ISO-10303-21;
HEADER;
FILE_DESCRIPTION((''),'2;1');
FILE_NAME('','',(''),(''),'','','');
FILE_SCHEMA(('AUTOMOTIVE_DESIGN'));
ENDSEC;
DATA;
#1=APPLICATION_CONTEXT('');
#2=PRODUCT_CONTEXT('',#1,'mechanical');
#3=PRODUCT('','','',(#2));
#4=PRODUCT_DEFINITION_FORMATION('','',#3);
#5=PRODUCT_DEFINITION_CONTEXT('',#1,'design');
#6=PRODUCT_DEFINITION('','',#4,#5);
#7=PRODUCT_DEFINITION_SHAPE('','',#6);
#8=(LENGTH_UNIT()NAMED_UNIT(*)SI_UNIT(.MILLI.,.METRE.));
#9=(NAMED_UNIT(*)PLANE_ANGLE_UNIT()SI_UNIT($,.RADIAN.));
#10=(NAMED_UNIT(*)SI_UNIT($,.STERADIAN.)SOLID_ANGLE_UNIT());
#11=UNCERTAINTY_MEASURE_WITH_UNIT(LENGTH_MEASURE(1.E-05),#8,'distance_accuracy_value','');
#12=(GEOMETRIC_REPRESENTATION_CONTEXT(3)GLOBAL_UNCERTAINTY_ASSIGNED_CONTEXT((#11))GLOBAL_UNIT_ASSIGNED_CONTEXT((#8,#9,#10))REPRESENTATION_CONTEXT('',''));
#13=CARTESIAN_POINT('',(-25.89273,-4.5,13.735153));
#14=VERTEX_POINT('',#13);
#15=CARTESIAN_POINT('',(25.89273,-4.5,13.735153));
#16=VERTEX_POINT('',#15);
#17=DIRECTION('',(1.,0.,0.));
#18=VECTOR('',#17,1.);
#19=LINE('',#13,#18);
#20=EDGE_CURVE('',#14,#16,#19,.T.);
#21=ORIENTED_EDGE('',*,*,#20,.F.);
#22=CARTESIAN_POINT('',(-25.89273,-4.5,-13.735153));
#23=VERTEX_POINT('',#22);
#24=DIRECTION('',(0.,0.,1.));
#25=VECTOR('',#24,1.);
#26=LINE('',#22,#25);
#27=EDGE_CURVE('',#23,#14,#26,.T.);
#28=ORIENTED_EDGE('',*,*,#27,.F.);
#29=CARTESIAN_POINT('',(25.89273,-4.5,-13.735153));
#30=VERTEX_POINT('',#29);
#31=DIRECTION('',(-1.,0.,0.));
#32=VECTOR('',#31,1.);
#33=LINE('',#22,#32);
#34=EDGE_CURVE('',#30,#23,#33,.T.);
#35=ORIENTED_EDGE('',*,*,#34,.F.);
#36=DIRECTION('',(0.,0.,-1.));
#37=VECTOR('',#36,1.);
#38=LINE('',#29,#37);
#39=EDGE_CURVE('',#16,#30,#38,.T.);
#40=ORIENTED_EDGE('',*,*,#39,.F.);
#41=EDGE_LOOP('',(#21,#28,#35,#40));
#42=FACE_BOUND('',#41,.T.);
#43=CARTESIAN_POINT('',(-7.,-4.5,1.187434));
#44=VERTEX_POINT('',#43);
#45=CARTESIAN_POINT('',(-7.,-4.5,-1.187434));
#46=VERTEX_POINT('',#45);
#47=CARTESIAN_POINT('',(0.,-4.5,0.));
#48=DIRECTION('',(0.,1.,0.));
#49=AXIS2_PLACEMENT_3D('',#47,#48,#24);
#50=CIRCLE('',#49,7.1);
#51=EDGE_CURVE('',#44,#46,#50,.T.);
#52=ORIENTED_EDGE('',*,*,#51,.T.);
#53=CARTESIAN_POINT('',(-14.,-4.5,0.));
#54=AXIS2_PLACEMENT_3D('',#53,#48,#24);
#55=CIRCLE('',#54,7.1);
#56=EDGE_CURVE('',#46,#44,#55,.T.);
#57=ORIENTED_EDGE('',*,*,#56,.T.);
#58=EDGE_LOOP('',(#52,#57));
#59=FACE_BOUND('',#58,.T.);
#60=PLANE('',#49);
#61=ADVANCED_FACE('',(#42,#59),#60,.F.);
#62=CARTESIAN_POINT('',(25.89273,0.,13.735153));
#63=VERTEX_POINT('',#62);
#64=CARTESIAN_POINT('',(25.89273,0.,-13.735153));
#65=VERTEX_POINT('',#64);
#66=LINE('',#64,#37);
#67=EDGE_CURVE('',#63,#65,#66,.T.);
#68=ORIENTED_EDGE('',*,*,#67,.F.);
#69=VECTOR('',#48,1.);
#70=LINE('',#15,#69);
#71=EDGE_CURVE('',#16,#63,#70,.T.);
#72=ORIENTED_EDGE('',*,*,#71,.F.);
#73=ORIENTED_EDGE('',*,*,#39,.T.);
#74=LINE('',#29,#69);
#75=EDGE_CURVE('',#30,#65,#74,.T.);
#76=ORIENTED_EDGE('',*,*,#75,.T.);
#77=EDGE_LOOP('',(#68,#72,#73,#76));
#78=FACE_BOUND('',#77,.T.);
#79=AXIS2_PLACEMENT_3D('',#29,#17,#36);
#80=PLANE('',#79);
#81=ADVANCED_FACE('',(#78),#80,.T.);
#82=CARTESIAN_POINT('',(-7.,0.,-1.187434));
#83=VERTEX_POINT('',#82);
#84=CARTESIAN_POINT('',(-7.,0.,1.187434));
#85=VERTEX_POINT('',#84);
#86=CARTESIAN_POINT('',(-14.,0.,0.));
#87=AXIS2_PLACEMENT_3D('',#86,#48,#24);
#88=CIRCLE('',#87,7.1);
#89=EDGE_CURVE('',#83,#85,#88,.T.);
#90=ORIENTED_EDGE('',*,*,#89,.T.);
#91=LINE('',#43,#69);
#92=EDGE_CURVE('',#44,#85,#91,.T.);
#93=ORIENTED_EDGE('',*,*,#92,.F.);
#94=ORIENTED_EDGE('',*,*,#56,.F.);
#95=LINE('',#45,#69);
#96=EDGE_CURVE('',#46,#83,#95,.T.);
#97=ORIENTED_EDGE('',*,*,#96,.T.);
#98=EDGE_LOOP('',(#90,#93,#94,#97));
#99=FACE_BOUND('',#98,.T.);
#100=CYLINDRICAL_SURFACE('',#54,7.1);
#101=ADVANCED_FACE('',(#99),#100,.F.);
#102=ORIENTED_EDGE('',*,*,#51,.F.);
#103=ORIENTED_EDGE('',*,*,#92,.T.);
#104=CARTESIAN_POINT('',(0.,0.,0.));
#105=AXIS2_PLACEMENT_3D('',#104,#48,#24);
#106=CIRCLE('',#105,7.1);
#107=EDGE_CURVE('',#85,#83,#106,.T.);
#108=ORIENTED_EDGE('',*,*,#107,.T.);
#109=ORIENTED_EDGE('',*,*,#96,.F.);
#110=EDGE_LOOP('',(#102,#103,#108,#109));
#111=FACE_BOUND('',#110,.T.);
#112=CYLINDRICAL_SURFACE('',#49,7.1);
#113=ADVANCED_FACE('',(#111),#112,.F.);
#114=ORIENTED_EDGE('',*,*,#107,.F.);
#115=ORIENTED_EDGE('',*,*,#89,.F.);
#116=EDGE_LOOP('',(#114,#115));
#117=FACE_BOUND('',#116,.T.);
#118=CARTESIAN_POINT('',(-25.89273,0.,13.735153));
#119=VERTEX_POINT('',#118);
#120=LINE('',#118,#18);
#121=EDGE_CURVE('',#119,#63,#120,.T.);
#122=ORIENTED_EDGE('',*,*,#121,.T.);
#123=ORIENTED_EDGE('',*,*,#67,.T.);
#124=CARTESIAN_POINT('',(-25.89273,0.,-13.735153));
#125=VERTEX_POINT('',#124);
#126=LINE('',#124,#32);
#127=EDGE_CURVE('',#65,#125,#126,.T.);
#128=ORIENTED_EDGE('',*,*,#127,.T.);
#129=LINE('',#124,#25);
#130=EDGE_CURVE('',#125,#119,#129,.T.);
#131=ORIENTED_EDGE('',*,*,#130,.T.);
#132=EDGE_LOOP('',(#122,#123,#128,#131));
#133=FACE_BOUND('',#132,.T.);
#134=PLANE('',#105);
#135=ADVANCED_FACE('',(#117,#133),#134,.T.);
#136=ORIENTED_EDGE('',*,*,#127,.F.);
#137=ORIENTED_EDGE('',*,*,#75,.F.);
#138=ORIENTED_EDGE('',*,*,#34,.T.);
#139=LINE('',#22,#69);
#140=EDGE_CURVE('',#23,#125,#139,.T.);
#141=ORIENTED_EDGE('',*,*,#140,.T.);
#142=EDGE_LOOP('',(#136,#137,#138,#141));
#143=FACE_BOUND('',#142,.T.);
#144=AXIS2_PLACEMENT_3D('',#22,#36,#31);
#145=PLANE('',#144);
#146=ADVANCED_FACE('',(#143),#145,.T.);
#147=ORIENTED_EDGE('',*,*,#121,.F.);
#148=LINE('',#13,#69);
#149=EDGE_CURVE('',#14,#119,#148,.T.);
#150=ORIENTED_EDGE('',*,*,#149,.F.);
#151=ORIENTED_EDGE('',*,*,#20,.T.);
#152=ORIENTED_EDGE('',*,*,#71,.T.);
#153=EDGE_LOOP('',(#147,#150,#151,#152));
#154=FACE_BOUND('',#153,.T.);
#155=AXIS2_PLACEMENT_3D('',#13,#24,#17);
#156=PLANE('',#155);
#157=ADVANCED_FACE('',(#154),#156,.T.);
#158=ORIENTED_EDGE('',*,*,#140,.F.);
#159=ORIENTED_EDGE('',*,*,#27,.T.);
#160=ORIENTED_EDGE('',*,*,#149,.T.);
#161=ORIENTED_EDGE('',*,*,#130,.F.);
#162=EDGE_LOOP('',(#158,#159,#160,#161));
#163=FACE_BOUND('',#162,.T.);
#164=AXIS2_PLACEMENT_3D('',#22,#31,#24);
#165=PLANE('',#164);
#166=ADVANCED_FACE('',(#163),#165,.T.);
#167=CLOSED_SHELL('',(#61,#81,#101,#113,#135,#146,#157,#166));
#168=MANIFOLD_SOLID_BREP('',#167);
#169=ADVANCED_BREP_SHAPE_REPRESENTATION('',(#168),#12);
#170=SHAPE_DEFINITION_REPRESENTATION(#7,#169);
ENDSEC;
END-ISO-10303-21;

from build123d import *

# Parameters (mm, degrees)
SKETCH1_W           = 51.785459028
SKETCH1_H           = 27.470306908
BOSS_EXTRUDE1_DEPTH = 4.5


with BuildPart() as part:
    # Sketch1 → Boss-Extrude1 (new body)
    with BuildSketch(Plane(origin=(0, 0, 0), x_dir=(1, 0, 0), z_dir=(0, 1, 0))):
        Rectangle(SKETCH1_W, SKETCH1_H)
        with BuildLine():
            ThreePointArc((-7, 1.187434209), (-21.1, 0), (-7, -1.187434209))
            ThreePointArc((-7, -1.187434209), (7.1, 0), (-7, 1.187434209))
        make_face(mode=Mode.SUBTRACT)
    extrude(amount=-BOSS_EXTRUDE1_DEPTH)


solid = part.part
